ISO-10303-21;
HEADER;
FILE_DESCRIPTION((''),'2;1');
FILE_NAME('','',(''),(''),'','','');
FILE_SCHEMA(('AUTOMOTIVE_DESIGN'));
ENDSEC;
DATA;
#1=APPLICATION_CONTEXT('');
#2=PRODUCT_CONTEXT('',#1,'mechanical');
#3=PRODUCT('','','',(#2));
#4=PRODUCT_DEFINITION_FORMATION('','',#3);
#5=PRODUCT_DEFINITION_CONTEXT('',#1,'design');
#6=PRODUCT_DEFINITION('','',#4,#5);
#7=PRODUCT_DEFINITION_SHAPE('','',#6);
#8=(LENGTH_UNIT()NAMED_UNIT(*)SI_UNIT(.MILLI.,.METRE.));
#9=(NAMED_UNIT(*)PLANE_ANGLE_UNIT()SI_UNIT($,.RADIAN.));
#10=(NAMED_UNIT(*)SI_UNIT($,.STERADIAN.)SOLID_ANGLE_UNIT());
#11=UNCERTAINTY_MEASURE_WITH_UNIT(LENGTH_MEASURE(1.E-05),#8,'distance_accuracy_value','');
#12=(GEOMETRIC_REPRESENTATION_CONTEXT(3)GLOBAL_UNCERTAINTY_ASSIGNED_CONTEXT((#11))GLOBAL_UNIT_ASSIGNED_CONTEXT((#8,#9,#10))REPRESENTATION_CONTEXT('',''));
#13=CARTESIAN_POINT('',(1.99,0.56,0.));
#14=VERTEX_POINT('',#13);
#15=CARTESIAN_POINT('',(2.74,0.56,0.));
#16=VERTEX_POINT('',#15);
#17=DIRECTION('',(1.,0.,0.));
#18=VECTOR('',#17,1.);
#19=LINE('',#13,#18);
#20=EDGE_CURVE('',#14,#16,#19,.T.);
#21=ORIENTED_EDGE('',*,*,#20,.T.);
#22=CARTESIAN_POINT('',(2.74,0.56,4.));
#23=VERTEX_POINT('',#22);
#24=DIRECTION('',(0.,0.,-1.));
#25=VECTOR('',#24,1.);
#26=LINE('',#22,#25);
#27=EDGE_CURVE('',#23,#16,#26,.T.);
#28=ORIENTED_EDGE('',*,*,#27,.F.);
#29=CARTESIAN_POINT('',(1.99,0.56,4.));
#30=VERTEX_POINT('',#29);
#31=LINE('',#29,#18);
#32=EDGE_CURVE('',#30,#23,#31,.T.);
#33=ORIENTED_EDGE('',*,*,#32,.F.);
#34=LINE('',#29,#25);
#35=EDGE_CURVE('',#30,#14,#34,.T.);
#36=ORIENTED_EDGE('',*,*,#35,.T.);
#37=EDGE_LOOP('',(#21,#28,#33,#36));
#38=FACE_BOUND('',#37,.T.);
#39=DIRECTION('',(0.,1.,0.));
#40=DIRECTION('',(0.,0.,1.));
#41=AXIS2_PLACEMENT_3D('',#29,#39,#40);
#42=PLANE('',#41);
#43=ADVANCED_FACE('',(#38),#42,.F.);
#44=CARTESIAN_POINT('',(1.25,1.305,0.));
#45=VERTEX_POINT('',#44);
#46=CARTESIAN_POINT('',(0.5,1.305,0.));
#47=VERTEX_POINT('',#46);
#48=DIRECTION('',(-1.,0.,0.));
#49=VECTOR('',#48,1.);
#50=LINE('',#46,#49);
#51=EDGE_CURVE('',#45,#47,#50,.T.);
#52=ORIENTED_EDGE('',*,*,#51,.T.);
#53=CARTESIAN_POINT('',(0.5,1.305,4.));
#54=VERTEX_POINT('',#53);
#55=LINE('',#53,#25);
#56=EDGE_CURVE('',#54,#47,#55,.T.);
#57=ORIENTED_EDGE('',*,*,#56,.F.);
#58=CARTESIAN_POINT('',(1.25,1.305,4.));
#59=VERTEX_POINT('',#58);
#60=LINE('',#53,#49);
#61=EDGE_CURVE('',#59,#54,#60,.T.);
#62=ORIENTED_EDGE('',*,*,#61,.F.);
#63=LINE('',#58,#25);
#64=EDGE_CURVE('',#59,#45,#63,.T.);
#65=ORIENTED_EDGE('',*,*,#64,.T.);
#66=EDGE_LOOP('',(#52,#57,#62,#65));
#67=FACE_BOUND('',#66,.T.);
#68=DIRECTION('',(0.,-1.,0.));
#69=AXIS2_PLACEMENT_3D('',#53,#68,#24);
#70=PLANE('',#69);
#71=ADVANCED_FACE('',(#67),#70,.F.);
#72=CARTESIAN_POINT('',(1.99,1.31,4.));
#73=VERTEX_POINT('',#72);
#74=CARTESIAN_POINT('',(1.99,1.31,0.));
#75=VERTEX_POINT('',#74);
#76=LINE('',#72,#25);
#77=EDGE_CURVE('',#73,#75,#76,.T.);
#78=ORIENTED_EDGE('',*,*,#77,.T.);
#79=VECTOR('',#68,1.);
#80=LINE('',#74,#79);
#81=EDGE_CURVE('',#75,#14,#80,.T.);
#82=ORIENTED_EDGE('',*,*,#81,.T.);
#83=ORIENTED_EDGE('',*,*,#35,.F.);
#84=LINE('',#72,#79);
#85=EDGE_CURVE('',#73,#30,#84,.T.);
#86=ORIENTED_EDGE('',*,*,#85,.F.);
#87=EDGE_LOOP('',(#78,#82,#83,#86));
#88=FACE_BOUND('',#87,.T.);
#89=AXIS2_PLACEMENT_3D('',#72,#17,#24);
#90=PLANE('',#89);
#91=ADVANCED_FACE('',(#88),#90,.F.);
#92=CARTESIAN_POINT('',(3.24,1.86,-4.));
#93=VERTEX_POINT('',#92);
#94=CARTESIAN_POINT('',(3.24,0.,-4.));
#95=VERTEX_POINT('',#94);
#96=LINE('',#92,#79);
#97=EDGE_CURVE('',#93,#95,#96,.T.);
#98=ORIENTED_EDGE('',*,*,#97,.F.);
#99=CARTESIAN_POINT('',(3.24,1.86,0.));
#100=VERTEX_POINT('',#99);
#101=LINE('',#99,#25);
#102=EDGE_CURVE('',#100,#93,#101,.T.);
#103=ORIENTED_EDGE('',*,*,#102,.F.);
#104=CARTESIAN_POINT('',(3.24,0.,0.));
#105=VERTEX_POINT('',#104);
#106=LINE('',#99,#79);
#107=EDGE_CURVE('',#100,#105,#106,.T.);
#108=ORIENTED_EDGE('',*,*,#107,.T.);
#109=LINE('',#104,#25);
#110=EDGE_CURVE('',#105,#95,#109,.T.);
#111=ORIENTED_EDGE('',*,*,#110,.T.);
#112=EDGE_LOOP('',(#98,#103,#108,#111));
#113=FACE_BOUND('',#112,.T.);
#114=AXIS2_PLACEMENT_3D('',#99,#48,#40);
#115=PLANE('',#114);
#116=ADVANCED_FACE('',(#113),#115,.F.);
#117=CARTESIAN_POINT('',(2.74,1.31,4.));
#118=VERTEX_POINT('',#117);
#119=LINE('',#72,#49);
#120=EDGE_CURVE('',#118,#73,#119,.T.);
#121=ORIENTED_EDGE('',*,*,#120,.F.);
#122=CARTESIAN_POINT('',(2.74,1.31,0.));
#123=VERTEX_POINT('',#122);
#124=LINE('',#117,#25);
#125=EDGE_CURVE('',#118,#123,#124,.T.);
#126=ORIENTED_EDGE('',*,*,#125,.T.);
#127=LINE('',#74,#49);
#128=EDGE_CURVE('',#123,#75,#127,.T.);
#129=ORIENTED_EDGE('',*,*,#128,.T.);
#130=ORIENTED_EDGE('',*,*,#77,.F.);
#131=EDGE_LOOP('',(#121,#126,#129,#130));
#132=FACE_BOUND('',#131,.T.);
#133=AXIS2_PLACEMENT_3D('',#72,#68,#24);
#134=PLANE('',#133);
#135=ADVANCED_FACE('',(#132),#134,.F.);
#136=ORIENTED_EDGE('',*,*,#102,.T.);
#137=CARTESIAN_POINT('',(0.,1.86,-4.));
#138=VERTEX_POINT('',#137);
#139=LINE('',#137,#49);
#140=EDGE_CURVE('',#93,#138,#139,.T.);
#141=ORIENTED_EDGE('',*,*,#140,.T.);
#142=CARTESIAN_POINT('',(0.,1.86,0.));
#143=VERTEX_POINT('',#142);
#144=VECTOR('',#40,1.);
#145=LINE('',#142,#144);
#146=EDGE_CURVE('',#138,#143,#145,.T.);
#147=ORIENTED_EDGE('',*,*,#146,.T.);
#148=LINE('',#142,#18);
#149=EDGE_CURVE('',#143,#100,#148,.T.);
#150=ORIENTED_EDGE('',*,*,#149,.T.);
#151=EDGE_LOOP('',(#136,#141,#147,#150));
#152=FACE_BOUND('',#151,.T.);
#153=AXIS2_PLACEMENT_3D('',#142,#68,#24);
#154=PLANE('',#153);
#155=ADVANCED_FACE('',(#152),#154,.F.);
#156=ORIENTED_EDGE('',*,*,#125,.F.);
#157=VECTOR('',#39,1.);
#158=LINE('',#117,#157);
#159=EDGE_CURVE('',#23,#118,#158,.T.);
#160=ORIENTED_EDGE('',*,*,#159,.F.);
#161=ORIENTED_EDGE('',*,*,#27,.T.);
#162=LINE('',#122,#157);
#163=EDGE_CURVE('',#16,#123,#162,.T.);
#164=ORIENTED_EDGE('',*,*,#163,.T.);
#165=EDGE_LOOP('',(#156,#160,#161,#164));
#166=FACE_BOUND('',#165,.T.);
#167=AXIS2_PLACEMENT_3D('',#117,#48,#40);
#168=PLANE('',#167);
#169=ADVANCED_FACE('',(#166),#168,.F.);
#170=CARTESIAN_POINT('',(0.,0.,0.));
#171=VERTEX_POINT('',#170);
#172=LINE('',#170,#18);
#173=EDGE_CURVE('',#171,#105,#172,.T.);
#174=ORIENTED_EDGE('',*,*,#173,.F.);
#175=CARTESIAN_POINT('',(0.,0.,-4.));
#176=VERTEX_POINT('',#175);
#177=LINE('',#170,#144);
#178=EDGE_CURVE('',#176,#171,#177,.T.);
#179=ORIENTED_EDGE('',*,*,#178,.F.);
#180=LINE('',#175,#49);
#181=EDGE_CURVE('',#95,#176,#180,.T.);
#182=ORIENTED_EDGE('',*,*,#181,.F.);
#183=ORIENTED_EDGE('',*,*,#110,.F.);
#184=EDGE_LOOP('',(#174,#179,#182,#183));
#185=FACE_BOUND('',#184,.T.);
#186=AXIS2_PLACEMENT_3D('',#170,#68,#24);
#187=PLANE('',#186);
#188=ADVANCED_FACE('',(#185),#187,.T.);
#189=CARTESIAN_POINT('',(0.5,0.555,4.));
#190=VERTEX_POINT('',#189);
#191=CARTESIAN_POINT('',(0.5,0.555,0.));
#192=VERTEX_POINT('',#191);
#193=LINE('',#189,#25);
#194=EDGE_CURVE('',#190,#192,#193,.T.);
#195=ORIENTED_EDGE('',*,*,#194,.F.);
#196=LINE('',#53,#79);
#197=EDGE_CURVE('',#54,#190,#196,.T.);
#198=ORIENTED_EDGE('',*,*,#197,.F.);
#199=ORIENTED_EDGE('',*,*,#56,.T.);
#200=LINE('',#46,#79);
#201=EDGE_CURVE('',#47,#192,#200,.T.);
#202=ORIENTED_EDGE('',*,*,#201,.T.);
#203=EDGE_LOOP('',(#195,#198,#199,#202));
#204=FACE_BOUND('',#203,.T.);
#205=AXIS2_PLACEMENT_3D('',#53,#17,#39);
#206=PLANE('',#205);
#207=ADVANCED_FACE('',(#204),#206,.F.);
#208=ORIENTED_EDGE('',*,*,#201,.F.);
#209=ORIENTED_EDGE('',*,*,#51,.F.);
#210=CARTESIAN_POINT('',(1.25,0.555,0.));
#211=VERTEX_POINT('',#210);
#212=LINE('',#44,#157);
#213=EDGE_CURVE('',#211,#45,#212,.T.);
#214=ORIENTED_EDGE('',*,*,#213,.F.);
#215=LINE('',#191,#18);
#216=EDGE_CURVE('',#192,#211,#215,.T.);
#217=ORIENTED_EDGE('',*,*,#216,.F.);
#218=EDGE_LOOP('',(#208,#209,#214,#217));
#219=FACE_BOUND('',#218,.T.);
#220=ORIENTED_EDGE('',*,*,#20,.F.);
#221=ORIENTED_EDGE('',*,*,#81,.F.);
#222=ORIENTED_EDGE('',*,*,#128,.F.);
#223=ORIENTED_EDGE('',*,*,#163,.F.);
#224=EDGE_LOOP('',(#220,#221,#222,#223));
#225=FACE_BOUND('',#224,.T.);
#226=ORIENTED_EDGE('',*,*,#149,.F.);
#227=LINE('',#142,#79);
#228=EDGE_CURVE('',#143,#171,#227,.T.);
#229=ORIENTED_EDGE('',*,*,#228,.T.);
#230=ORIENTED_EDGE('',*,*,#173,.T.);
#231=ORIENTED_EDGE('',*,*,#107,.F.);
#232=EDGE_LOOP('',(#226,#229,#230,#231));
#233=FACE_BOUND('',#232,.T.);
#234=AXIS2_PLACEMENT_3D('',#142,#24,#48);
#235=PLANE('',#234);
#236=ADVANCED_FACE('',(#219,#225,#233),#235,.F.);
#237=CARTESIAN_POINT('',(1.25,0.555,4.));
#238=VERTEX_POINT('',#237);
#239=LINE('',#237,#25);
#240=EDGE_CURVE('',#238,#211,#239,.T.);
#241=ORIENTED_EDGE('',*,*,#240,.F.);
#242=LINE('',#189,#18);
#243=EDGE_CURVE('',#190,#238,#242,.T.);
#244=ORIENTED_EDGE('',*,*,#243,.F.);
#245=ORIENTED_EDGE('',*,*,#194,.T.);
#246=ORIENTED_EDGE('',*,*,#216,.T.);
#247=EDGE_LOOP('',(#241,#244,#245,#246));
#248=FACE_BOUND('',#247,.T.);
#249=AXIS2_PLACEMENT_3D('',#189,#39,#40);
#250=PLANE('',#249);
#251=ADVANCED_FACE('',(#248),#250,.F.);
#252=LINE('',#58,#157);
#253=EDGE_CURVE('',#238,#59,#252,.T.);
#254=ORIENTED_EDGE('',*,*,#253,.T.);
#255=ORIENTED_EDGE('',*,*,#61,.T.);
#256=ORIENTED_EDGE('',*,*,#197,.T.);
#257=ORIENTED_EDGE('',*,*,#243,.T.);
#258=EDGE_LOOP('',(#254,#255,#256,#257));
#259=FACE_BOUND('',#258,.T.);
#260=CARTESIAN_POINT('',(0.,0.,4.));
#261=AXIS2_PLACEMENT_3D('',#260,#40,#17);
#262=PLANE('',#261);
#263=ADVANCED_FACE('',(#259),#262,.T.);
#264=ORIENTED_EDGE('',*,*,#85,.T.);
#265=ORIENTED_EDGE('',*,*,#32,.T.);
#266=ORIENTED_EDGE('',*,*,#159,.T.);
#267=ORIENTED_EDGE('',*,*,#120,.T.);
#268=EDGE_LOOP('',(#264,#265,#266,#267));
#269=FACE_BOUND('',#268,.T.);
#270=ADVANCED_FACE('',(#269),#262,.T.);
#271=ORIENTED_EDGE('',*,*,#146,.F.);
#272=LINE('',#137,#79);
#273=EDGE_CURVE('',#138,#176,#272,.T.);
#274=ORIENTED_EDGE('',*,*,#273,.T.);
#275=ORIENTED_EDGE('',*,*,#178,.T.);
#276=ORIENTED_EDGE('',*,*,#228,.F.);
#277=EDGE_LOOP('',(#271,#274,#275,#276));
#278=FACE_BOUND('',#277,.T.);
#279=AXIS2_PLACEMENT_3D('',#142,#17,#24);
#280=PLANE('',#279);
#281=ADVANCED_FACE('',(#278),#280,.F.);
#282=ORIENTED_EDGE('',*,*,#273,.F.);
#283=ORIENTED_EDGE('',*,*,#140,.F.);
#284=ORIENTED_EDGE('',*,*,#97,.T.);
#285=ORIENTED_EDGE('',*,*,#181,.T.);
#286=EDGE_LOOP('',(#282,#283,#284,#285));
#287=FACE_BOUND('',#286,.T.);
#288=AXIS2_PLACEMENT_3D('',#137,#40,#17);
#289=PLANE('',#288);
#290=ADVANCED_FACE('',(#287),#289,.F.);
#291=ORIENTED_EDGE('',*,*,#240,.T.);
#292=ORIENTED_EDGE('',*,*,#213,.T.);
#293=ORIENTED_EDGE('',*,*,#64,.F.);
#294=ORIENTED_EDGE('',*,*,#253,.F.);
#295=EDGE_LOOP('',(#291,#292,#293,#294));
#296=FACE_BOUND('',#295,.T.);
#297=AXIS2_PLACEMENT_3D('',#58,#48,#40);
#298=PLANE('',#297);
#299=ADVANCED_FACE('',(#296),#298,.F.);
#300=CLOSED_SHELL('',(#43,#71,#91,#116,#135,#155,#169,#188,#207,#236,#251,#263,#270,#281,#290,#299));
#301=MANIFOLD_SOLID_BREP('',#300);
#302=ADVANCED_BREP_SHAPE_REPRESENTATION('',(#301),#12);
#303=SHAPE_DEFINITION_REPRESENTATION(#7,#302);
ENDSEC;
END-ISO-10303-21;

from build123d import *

# Parameters (mm, degrees)
SKETCH1_W           = 3.24
SKETCH1_H           = 4
BOSS_EXTRUDE1_DEPTH = 1.86
SKETCH2_W           = 0.75
SKETCH2_H           = 0.75
BOSS_EXTRUDE2_DEPTH = 4


with BuildPart() as part:
    # Sketch1 → Boss-Extrude1 (new body)
    with BuildSketch(Plane(origin=(0, 0, 0), x_dir=(1, 0, 0), z_dir=(0, 1, 0))):
        with Locations((1.62, 2)):
            Rectangle(SKETCH1_W, SKETCH1_H)
    extrude(amount=BOSS_EXTRUDE1_DEPTH)

    # Sketch2 → Boss-Extrude2 (add)
    with BuildSketch(Plane.XY):
        with Locations((0.875, 0.93)):
            Rectangle(SKETCH2_W, SKETCH2_H)
        with Locations((2.365, 0.935)):
            Rectangle(SKETCH2_W, SKETCH2_H)
    extrude(amount=BOSS_EXTRUDE2_DEPTH)


solid = part.part
